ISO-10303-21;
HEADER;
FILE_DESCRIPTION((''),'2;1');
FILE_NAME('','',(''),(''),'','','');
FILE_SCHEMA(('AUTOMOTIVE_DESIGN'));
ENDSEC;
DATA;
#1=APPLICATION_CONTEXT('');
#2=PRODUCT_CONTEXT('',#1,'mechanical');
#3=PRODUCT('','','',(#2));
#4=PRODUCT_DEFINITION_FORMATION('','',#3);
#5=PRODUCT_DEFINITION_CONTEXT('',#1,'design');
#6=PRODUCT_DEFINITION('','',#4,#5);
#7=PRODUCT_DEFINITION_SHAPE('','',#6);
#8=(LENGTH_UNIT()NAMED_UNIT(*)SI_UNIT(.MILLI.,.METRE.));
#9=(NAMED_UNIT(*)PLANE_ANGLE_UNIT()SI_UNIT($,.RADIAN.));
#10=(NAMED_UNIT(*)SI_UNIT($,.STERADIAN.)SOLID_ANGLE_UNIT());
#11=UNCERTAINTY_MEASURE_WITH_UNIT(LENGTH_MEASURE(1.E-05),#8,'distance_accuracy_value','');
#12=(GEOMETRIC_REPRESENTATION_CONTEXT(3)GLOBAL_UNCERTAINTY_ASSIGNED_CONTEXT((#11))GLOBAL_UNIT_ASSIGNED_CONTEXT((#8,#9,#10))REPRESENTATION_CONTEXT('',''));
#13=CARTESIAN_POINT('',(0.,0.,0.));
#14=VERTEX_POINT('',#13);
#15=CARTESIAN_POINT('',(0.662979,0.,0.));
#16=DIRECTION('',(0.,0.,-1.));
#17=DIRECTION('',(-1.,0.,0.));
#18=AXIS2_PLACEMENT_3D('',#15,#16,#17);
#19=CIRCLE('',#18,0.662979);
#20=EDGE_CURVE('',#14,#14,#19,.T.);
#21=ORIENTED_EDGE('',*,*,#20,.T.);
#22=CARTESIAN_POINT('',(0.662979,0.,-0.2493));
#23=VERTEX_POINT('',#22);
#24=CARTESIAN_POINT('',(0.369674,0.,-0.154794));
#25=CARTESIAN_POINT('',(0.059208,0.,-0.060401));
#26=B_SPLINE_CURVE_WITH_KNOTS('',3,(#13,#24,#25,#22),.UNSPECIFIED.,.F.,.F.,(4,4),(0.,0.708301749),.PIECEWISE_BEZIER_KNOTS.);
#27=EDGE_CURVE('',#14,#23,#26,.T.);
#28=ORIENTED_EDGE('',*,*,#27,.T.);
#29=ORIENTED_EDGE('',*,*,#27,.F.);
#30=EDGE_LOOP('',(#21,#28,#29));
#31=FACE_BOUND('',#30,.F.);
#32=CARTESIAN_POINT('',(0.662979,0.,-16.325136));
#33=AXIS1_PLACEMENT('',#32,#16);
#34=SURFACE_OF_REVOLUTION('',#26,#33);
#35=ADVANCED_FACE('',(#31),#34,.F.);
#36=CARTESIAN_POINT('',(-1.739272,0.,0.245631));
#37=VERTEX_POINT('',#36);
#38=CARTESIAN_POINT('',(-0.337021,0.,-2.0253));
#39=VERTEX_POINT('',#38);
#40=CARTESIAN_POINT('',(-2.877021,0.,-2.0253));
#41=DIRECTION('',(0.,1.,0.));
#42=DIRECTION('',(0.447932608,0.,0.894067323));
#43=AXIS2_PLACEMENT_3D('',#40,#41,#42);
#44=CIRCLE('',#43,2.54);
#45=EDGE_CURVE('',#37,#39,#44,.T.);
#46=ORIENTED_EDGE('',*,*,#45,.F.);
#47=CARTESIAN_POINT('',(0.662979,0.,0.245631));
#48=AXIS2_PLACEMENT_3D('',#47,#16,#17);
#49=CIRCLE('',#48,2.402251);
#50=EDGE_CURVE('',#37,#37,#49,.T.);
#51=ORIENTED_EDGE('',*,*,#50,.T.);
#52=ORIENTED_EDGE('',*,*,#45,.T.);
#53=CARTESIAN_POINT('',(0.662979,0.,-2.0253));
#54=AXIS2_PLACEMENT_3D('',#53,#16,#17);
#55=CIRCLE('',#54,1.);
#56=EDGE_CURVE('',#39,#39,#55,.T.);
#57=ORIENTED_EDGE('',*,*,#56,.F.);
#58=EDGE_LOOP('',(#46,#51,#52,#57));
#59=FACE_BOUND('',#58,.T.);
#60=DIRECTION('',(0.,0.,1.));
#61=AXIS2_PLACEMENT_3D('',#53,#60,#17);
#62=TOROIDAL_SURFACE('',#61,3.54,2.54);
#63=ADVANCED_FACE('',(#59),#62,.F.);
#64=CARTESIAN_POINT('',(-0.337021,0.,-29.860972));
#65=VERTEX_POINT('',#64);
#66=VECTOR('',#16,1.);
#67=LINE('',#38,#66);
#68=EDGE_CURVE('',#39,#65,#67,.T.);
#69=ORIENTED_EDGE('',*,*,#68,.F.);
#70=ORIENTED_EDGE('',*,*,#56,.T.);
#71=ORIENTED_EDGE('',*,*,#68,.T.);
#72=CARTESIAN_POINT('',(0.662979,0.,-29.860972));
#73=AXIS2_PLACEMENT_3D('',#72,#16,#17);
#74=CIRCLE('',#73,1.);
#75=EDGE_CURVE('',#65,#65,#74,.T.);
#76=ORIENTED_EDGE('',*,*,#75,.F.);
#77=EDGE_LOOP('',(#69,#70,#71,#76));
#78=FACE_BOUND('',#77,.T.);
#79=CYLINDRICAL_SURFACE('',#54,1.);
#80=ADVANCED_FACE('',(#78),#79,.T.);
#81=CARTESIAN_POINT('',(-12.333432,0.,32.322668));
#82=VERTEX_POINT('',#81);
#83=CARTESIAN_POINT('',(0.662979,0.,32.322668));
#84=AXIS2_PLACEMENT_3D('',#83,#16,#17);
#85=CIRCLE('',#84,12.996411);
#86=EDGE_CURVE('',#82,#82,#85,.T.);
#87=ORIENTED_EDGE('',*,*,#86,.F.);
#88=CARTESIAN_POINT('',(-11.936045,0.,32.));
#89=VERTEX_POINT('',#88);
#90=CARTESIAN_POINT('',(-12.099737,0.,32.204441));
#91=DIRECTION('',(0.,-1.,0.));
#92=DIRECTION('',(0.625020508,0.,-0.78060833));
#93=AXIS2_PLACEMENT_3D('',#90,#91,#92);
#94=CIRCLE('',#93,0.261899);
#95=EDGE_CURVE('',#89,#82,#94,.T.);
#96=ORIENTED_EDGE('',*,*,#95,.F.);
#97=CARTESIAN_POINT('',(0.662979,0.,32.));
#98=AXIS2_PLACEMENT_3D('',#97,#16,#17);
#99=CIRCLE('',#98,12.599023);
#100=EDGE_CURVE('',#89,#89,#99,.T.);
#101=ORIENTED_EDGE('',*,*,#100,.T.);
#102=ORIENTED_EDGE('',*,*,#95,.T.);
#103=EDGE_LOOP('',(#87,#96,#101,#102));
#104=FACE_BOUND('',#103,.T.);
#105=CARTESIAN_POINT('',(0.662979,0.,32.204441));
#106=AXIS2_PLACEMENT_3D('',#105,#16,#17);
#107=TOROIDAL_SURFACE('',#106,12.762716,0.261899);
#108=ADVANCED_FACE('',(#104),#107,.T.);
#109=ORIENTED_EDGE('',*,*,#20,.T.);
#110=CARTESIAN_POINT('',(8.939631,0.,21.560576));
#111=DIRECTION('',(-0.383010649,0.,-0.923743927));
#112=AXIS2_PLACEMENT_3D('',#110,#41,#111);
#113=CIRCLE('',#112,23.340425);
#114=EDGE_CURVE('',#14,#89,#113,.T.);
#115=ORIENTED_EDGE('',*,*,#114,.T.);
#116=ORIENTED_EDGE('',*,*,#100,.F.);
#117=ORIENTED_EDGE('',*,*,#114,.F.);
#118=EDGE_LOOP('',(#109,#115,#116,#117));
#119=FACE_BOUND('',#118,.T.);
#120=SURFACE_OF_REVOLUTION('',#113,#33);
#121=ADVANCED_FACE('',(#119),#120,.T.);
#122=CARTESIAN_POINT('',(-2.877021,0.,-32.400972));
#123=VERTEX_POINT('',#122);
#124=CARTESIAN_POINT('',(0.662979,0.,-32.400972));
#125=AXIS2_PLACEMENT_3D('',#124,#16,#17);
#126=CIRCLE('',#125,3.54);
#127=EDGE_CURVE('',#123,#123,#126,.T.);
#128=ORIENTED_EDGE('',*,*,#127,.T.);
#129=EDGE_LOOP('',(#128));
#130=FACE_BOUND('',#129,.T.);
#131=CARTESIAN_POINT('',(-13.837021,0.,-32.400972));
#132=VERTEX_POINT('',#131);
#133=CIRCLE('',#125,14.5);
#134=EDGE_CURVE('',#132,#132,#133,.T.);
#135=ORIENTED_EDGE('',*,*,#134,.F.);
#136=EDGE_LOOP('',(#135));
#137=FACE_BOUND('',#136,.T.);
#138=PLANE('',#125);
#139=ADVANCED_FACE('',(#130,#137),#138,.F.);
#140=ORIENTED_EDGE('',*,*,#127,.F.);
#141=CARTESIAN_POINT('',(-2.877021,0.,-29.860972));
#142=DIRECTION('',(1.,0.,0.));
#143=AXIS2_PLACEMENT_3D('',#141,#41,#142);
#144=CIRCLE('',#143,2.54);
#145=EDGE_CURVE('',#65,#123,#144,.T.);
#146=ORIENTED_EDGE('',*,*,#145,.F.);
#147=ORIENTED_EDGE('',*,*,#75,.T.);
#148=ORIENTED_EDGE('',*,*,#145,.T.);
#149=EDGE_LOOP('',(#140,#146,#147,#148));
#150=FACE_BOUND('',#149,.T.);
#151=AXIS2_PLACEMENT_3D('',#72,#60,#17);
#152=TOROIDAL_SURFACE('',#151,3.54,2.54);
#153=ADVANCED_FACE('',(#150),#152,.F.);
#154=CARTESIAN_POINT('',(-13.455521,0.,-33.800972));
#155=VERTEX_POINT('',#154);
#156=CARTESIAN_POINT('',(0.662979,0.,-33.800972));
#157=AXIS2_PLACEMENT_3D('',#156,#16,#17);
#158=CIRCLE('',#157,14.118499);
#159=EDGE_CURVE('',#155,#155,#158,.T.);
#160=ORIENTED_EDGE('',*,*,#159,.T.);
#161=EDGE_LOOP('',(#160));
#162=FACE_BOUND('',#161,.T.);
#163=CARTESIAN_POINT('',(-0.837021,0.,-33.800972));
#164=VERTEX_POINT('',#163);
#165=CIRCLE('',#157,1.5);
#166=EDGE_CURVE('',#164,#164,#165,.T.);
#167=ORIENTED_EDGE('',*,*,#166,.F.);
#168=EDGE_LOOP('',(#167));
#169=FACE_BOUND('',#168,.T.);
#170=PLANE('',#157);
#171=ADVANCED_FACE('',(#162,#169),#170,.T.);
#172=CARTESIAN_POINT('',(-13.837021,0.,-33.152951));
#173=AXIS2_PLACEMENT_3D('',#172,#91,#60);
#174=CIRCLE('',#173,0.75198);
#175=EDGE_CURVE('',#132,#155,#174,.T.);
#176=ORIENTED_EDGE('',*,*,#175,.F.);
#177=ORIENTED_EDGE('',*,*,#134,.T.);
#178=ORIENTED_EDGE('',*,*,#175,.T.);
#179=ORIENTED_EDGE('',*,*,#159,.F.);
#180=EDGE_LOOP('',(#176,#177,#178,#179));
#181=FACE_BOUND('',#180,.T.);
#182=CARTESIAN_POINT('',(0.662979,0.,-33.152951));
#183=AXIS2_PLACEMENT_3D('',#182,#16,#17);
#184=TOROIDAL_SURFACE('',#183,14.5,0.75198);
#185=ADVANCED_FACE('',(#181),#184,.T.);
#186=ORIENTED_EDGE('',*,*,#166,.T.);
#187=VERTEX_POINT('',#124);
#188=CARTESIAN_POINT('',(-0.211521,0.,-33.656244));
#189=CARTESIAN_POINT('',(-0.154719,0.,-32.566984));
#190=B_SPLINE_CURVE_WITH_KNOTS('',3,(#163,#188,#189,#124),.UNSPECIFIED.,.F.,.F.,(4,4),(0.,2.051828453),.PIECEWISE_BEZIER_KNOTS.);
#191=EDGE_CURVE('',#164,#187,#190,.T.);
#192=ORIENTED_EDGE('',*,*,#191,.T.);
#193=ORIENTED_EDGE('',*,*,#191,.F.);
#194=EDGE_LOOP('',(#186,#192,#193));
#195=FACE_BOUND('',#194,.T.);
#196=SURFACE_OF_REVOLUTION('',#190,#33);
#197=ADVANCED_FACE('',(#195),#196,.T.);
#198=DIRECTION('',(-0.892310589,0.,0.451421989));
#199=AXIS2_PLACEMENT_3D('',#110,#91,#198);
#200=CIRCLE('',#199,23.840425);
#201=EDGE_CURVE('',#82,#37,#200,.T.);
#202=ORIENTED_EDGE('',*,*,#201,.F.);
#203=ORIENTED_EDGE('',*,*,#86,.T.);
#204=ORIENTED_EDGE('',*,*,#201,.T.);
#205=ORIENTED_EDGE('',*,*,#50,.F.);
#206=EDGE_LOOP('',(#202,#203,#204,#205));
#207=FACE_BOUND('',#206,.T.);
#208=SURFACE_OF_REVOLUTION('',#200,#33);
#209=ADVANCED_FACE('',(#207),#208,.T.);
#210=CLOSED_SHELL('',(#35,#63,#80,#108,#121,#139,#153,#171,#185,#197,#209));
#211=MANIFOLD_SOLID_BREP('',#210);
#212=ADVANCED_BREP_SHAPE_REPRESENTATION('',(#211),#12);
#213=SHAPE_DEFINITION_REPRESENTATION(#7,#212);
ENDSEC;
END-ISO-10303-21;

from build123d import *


with BuildPart() as f1:
    # F0 (on Front) → F1 (revolve)
    with BuildSketch(Plane.XZ):
        with BuildLine():
            ThreePointArc((0, 0), (-12.9290252202, 13.4035362064), (-11.9360446777, 32))
            ThreePointArc((-11.9360446777, 32), (-11.9346500209, 32.4077565918), (-12.3334322125, 32.3226675391))
            ThreePointArc((-12.3334322125, 32.3226675391), (-13.6980833247, 14.0839633279), (-1.7392723975, 0.2456308716))
            ThreePointArc((-1.7392723975, 0.2456308716), (-0.7158315018, -0.6908118408), (-0.3370212221, -2.0253001296))
            Line((-0.3370212221, -2.0253001296), (-0.3370212221, -29.860971949))
            ThreePointArc((-0.3370212221, -29.860971949), (-1.0809699979, -31.6570231732), (-2.8770212221, -32.400971949))
            Line((-2.8770212221, -32.400971949), (-13.8370212221, -32.400971949))
            ThreePointArc((-13.8370212221, -32.400971949), (-14.5625456285, -33.350657147), (-13.4555206881, -33.800971949))
            Line((-13.4555206881, -33.800971949), (-0.8370212221, -33.800971949))
            add(Edge.make_bspline(
                [(-0.8370212221, -33.800971949), (-0.2115213472, -33.6562444209), (-0.1547193722, -32.5669844388), (0.6629787779, -32.400971949)],
                knots=[0, 0, 0, 0, 2.0518284529, 2.0518284529, 2.0518284529, 2.0518284529], degree=3))
            Line((0.6629787779, -32.400971949), (0.6629787779, -0.2493000357))
            add(Edge.make_bspline(
                [(0, 0), (0.3696738277, -0.1547939755), (0.0592081378, -0.0604010784), (0.6629787779, -0.2493000357)],
                knots=[0, 0, 0, 0, 0.7083017491, 0.7083017491, 0.7083017491, 0.7083017491], degree=3))
        make_face()
    revolve(axis=Axis((0.6629787779, 0, -16.3251359924), (0, 0, -1)))


solid = f1.part
